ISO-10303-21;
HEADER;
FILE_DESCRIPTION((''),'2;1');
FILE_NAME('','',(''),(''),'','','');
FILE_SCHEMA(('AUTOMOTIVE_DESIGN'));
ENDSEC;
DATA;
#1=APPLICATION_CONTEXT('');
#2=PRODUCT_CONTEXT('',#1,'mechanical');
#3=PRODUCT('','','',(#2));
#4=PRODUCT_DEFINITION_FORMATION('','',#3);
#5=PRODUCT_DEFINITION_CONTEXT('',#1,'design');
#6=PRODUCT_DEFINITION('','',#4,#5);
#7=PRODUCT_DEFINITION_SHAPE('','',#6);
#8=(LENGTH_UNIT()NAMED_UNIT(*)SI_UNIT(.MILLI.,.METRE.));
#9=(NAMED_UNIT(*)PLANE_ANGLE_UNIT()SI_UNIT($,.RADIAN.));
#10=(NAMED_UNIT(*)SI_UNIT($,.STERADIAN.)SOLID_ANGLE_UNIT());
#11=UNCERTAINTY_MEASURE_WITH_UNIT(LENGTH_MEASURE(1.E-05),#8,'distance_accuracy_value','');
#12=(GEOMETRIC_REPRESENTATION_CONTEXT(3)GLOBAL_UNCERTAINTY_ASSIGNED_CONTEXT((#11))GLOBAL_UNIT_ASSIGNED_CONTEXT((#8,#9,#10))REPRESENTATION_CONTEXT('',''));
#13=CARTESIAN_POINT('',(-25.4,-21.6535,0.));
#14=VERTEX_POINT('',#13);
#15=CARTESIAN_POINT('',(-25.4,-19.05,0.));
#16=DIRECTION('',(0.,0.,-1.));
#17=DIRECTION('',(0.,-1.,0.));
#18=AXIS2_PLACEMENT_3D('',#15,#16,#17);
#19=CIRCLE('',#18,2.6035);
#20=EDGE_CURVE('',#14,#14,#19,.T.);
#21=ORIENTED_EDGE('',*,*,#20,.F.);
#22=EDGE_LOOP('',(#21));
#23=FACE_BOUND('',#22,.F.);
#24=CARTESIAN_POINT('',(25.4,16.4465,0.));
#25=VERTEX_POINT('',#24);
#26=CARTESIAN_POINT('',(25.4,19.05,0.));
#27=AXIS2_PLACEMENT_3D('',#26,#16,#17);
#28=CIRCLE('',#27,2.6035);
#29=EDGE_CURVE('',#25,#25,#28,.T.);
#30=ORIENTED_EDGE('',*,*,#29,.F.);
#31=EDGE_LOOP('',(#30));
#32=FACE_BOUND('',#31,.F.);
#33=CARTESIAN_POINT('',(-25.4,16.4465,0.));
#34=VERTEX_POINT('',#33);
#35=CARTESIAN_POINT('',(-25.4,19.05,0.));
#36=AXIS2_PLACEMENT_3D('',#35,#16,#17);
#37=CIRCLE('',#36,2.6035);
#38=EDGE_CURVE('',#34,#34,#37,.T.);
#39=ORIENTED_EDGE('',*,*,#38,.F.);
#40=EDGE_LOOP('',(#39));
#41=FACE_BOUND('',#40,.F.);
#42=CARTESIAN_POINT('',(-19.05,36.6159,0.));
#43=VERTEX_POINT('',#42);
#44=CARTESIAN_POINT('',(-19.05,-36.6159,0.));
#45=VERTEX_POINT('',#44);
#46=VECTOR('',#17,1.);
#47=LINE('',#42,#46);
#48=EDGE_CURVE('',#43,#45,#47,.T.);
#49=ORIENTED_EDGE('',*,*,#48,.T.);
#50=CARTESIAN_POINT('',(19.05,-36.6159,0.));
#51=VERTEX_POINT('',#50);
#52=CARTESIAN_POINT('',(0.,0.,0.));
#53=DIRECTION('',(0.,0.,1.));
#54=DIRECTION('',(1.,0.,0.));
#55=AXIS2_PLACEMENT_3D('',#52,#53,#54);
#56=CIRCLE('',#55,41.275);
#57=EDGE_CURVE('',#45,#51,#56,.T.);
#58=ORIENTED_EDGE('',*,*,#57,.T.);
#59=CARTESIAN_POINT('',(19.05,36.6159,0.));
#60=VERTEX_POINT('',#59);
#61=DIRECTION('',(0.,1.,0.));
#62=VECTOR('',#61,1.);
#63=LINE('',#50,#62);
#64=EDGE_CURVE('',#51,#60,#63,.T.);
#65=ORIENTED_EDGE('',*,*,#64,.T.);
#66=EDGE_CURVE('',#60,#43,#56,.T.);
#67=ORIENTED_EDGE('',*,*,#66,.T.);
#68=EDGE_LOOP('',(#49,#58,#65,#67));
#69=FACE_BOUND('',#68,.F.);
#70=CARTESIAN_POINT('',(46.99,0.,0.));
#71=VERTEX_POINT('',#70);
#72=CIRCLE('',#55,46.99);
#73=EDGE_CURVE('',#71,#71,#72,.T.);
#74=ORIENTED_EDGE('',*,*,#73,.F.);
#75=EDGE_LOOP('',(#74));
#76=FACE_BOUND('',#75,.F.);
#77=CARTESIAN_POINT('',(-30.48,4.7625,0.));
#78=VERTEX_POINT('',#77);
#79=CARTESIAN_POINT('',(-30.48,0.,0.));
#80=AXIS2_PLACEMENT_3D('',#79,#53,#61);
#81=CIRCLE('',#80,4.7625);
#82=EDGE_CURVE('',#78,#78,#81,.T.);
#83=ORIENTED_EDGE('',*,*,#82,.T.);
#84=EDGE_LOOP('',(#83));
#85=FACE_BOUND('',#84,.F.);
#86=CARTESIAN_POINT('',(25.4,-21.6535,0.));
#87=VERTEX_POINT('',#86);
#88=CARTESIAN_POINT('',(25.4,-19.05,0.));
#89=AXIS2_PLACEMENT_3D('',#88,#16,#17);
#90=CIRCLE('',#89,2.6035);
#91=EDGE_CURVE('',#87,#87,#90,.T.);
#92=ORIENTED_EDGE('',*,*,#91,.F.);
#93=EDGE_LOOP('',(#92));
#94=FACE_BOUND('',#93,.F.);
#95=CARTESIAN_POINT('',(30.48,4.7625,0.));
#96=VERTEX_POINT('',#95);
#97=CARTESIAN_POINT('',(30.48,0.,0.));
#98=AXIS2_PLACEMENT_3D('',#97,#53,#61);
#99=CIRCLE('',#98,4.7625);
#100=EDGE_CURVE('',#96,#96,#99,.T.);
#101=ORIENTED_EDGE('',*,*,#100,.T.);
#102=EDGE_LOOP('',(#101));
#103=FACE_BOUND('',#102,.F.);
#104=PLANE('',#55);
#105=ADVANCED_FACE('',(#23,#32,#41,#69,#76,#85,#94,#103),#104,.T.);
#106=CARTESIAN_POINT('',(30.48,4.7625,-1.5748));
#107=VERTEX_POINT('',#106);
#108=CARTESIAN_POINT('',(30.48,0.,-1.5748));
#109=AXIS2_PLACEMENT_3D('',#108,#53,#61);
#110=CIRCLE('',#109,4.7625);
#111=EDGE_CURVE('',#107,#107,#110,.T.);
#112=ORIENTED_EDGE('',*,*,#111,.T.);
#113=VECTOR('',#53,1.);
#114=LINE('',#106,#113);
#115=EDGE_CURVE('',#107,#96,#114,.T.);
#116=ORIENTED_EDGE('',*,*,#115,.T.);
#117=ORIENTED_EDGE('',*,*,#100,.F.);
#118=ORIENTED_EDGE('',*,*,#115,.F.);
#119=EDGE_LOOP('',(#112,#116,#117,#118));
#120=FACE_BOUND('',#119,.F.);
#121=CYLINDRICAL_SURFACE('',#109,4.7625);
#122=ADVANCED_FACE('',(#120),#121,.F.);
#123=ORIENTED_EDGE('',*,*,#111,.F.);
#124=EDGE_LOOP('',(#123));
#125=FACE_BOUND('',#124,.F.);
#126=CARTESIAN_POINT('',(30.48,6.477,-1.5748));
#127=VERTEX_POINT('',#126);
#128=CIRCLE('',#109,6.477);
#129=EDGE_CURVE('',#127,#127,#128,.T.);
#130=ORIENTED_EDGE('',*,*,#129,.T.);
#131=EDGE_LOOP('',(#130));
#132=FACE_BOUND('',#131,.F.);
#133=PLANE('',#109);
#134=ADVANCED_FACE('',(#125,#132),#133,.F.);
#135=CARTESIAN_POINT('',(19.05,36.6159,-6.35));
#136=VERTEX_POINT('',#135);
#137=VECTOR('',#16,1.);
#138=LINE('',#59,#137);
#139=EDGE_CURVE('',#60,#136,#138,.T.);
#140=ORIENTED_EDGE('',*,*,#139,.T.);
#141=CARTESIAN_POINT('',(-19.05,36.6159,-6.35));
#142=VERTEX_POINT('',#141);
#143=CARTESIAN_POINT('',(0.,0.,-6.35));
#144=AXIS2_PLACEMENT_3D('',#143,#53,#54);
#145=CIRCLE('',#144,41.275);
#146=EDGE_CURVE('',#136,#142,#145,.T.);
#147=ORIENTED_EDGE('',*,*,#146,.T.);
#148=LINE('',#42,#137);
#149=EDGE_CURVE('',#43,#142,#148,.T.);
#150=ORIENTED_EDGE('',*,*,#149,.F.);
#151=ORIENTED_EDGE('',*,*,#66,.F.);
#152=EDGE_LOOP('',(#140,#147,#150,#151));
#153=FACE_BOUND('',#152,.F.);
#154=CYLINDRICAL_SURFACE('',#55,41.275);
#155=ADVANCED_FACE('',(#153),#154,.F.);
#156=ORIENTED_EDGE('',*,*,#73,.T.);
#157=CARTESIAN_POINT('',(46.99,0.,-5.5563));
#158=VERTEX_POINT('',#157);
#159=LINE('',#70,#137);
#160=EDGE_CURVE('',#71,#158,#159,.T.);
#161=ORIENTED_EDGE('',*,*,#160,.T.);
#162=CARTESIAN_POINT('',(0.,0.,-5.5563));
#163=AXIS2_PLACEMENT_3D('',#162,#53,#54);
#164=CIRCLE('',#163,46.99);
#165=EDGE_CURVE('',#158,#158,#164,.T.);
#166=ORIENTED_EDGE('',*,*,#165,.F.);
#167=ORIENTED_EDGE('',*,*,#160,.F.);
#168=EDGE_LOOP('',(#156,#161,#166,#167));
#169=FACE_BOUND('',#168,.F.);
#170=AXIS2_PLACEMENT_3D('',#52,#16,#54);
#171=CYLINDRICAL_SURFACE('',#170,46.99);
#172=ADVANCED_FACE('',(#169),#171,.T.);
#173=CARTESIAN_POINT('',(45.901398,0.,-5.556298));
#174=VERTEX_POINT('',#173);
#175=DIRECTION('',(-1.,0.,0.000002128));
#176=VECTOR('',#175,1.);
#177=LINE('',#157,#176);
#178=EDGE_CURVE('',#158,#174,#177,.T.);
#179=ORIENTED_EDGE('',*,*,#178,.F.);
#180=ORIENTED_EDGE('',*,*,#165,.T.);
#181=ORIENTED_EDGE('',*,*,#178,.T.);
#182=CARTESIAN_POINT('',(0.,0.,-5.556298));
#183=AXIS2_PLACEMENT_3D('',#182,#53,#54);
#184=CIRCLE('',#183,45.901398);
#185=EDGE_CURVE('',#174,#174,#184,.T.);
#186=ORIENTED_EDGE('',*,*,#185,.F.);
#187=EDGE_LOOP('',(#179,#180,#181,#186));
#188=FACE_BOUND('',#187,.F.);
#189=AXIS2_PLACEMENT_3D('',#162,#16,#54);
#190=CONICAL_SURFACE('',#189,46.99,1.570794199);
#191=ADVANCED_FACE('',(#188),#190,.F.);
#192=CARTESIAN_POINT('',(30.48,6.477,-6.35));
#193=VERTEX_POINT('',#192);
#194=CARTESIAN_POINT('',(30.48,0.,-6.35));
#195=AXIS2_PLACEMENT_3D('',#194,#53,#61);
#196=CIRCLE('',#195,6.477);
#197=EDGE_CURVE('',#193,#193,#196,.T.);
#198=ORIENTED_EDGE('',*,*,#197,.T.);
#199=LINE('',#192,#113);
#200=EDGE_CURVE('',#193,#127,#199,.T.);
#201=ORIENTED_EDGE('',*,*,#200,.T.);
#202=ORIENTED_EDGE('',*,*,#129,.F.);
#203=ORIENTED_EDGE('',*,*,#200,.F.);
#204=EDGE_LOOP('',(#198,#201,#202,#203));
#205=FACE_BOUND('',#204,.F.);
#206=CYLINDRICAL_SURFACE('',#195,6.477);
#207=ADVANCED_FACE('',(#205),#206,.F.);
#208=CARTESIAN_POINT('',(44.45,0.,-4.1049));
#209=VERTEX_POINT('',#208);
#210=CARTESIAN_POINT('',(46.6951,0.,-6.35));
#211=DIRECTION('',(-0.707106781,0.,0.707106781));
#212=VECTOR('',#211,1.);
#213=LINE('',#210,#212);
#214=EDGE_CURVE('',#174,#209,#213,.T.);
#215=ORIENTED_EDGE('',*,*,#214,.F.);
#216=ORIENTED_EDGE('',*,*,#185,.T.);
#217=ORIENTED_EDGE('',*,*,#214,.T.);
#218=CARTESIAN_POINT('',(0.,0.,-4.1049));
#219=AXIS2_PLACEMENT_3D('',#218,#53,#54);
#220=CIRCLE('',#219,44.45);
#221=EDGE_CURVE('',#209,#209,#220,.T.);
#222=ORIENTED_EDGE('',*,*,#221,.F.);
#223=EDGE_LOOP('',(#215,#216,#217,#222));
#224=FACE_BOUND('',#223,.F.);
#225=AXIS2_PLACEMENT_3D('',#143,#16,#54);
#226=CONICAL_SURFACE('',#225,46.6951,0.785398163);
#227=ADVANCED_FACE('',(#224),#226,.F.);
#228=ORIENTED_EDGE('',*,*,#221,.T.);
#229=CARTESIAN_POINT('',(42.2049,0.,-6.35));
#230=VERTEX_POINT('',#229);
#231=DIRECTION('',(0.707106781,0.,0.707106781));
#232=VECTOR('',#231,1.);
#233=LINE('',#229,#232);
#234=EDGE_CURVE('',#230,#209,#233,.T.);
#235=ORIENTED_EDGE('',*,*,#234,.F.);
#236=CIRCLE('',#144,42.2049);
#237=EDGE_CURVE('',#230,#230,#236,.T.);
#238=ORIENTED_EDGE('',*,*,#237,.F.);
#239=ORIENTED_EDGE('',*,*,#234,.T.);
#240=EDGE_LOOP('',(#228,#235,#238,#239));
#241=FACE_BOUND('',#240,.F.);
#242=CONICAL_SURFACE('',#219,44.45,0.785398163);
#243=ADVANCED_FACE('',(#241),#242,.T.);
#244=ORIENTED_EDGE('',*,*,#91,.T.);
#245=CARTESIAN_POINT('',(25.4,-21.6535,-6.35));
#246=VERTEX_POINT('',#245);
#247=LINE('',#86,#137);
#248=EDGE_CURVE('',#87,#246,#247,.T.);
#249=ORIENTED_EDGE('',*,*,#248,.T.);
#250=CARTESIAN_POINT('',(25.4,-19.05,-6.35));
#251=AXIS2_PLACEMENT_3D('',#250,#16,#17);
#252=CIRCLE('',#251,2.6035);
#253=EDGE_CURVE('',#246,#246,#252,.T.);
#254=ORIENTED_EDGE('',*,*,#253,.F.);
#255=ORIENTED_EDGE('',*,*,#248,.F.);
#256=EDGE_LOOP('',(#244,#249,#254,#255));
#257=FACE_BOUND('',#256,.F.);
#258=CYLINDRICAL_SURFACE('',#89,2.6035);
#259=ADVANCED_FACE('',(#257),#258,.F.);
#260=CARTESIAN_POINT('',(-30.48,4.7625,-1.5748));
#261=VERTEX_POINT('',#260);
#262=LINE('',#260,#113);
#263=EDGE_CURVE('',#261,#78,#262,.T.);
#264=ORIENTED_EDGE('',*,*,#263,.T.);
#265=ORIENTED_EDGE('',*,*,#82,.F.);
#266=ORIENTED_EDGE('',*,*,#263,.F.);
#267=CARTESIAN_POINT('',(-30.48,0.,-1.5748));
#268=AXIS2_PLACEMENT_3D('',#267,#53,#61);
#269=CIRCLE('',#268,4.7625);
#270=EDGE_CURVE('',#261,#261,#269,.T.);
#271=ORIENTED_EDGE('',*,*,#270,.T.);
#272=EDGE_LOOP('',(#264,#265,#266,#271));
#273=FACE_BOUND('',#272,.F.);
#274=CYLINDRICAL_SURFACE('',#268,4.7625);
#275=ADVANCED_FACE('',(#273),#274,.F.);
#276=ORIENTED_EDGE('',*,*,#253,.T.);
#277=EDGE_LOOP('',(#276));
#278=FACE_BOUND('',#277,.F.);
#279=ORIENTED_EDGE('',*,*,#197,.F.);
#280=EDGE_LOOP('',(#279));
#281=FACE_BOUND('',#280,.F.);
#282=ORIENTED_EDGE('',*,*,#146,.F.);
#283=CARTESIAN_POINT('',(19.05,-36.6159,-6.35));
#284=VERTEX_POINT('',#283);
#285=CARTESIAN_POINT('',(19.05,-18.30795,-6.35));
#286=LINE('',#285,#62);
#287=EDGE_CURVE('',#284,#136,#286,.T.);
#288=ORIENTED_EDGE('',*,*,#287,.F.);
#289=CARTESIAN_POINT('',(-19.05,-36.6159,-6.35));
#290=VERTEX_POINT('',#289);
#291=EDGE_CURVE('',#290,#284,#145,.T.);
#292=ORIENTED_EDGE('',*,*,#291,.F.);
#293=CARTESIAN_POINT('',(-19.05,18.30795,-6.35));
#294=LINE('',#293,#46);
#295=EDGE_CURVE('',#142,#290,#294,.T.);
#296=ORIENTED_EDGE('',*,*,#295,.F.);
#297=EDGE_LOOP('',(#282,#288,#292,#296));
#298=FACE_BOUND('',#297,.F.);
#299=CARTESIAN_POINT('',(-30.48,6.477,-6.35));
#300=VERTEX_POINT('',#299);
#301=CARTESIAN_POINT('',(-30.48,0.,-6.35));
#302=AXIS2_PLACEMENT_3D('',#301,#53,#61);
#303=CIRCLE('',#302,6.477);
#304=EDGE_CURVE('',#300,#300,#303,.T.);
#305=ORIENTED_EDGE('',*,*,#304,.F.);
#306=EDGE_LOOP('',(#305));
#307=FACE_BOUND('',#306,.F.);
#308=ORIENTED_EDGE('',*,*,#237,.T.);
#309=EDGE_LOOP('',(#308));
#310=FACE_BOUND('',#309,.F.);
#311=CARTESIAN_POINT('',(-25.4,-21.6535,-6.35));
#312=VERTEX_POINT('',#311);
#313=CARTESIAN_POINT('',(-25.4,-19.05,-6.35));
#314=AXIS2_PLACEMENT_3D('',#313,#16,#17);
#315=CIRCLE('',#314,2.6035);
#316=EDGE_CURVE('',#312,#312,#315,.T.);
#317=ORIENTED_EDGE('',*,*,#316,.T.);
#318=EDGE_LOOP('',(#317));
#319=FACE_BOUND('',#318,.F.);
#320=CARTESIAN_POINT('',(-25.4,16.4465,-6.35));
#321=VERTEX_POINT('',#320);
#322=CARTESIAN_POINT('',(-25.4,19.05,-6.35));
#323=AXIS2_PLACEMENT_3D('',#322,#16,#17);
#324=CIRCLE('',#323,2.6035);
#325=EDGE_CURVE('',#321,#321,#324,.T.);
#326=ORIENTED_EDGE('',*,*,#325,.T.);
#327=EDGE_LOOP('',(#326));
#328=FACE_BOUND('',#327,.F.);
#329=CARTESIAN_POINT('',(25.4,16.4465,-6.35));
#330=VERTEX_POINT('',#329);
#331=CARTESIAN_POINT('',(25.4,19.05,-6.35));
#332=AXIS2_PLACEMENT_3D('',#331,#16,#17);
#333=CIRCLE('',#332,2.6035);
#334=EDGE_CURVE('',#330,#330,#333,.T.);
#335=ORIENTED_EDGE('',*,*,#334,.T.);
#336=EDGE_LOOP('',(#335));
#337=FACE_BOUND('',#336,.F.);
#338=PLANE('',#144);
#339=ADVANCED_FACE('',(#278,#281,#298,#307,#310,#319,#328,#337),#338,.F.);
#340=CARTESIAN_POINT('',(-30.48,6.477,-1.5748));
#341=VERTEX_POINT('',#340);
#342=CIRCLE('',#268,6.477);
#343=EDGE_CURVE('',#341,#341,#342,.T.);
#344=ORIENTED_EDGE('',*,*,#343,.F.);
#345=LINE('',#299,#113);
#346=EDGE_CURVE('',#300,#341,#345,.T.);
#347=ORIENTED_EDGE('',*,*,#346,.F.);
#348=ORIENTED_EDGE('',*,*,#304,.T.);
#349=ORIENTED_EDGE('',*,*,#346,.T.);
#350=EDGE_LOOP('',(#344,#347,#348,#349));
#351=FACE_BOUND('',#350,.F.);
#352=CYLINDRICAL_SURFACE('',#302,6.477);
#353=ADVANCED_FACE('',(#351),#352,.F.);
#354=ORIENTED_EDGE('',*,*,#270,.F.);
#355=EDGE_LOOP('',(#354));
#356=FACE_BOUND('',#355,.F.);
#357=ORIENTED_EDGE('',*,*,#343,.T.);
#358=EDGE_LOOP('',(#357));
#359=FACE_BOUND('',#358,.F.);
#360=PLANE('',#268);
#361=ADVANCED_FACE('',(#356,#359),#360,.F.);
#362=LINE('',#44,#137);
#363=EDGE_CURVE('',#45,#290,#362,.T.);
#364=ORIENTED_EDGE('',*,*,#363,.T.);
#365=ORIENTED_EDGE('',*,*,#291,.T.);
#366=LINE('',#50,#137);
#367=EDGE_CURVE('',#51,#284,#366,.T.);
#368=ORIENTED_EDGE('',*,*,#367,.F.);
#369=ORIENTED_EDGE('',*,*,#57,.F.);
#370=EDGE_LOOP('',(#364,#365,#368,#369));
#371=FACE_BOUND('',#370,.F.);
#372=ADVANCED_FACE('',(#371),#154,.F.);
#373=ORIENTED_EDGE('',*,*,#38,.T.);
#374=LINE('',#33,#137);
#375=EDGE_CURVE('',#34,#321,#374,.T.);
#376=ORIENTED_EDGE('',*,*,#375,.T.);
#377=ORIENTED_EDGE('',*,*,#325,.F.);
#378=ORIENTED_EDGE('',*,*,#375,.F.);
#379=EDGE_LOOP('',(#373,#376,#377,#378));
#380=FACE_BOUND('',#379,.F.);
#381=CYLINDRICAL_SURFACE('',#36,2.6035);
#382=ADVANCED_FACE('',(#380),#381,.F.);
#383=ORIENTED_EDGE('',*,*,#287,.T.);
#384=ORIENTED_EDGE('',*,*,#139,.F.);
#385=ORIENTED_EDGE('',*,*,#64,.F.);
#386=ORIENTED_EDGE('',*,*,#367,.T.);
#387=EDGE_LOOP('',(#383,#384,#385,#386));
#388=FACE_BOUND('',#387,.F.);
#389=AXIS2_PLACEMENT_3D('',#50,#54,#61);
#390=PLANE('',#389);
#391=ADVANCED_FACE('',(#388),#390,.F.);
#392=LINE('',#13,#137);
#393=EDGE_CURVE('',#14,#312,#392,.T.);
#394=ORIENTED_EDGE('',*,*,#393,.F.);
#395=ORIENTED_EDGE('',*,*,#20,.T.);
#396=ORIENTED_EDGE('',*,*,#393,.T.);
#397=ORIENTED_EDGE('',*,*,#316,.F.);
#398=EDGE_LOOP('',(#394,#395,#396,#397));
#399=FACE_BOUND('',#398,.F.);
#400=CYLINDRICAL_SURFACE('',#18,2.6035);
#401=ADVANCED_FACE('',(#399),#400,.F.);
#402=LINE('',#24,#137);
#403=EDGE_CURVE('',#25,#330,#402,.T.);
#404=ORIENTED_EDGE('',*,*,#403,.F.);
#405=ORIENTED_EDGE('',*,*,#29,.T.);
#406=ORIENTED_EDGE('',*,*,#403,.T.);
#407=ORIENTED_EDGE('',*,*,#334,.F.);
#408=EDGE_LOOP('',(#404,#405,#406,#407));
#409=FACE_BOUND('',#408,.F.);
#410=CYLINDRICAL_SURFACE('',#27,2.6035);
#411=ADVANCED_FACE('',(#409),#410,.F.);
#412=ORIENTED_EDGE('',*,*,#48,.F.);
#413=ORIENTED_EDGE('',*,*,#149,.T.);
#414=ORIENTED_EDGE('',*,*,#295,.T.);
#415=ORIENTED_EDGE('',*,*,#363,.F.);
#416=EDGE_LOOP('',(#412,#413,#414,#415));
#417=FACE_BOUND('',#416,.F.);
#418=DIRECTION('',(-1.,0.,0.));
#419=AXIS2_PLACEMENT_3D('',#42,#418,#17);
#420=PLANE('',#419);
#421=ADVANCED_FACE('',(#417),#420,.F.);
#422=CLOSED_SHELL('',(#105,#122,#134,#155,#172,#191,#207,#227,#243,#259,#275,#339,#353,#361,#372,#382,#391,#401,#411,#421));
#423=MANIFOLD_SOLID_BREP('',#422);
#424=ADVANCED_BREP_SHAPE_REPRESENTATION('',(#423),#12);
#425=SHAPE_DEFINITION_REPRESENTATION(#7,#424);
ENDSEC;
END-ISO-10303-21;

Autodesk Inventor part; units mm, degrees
ref_plane "YZ Plane" through (0, 0, 0) normal (1, 0, 0) x (0, 1, 0)
ref_plane "XZ Plane" through (0, 0, 0) normal (0, 1, 0) x (-1, 0, 0)
ref_plane "XY Plane" through (0, 0, 0) normal (0, 0, 1) x (1, 0, 0)
sketch "Sketch1" plane through (0, 0, 0) normal (0, 1, 0) x (-1, 0, 0)
  line L0 (0, 0) -> (-46.99, 0)
  line L1 (-46.99, 0) -> (-46.99, -5.5563)
  line L2 (-46.99, -5.5563) -> (0, -5.5562)
  line L3 (0, -5.5562) -> (0, 0)
  line L4 (-44.45, -4.1049) -> (-42.2049, -6.35)
  line L5 (-42.2049, -6.35) -> (-44.45, -8.5951)
  line L6 (-44.45, -8.5951) -> (-46.6951, -6.35)
  line L7 (-46.6951, -6.35) -> (-44.45, -4.1049)
  line L8 (-42.2049, -6.35) -> (0, -6.35)
  line L9 (0, -6.35) -> (0, -5.5562)
  point P0 (-44.45, -6.35)
  point P1 (-45.9013, -5.5563)
  dimension "d0" = 46.99
  dimension "d2" = 3.175
  dimension "d3" = 6.35
  dimension "d4" = 44.45
  dimension "d10" = 0.7937
revolve "Revolution1" add sketch "Sketch1" angle 360 about axis through (0, 0, -5.5562) along (0, 0, 1) contours L3 L2 L4 L7 L1 L0 | L9 L8 L4 L2
sketch "Sketch2" plane through (0, 0, 0) normal (0, 0, 1) x (1, 0, 0)
  circle A0 centre (0, 0) radius 41.275
  line L0 (-19.05, 36.6159) -> (-19.05, -36.6159)
  line L1 (19.05, -36.6159) -> (19.05, 36.6159)
  point P0 (0, 0)
  dimension "d6" = 82.55
  dimension "d7" = 38.1
extrude "Extrusion1" cut sketch "Sketch2" against normal through all contours L1 A0 L0
sketch "Sketch3" plane through (0, 0, 0) normal (0, 0, 1) x (1, 0, 0)
  line L0 (25.4, -19.05) -> (-25.4, -19.05) construction
  line L1 (-25.4, -19.05) -> (-25.4, 19.05) construction
  line L2 (-25.4, 19.05) -> (25.4, 19.05) construction
  line L3 (25.4, 19.05) -> (25.4, -19.05) construction
  line L4 (25.4, -19.05) -> (-25.4, 19.05) construction
  line L5 (25.4, 19.05) -> (-25.4, -19.05) construction
  point P0 (0, 0)
  point P1 (0, 0)
  dimension "d11" = 50.8
  dimension "d12" = 38.1
hole "Hole1" at (25.4, -19.05, 0) at (25.4, 19.05, 0) at (-25.4, 19.05, 0) at (-25.4, -19.05, 0) direction (0, 0, -1) diameter 5.207 end through all
sketch "Sketch4" plane through (0, 0, -6.35) normal (0, 0, -1) x (-1, 0, 0)
  circle A0 centre (0, 0) radius 30.48 construction
  point P0 (0, 0)
  point P1 (-30.48, 0)
  point P2 (30.48, 0)
  dimension "d20" = 60.96
hole "Hole2" at (30.48, 0, -6.35) at (-30.48, 0, -6.35) direction (0, 0, 1) diameter 9.525 end through all counterbore diameter 12.954 counterbore depth 4.7752
properties part number "CarriageCap_V4" material "ABS Plastic"
